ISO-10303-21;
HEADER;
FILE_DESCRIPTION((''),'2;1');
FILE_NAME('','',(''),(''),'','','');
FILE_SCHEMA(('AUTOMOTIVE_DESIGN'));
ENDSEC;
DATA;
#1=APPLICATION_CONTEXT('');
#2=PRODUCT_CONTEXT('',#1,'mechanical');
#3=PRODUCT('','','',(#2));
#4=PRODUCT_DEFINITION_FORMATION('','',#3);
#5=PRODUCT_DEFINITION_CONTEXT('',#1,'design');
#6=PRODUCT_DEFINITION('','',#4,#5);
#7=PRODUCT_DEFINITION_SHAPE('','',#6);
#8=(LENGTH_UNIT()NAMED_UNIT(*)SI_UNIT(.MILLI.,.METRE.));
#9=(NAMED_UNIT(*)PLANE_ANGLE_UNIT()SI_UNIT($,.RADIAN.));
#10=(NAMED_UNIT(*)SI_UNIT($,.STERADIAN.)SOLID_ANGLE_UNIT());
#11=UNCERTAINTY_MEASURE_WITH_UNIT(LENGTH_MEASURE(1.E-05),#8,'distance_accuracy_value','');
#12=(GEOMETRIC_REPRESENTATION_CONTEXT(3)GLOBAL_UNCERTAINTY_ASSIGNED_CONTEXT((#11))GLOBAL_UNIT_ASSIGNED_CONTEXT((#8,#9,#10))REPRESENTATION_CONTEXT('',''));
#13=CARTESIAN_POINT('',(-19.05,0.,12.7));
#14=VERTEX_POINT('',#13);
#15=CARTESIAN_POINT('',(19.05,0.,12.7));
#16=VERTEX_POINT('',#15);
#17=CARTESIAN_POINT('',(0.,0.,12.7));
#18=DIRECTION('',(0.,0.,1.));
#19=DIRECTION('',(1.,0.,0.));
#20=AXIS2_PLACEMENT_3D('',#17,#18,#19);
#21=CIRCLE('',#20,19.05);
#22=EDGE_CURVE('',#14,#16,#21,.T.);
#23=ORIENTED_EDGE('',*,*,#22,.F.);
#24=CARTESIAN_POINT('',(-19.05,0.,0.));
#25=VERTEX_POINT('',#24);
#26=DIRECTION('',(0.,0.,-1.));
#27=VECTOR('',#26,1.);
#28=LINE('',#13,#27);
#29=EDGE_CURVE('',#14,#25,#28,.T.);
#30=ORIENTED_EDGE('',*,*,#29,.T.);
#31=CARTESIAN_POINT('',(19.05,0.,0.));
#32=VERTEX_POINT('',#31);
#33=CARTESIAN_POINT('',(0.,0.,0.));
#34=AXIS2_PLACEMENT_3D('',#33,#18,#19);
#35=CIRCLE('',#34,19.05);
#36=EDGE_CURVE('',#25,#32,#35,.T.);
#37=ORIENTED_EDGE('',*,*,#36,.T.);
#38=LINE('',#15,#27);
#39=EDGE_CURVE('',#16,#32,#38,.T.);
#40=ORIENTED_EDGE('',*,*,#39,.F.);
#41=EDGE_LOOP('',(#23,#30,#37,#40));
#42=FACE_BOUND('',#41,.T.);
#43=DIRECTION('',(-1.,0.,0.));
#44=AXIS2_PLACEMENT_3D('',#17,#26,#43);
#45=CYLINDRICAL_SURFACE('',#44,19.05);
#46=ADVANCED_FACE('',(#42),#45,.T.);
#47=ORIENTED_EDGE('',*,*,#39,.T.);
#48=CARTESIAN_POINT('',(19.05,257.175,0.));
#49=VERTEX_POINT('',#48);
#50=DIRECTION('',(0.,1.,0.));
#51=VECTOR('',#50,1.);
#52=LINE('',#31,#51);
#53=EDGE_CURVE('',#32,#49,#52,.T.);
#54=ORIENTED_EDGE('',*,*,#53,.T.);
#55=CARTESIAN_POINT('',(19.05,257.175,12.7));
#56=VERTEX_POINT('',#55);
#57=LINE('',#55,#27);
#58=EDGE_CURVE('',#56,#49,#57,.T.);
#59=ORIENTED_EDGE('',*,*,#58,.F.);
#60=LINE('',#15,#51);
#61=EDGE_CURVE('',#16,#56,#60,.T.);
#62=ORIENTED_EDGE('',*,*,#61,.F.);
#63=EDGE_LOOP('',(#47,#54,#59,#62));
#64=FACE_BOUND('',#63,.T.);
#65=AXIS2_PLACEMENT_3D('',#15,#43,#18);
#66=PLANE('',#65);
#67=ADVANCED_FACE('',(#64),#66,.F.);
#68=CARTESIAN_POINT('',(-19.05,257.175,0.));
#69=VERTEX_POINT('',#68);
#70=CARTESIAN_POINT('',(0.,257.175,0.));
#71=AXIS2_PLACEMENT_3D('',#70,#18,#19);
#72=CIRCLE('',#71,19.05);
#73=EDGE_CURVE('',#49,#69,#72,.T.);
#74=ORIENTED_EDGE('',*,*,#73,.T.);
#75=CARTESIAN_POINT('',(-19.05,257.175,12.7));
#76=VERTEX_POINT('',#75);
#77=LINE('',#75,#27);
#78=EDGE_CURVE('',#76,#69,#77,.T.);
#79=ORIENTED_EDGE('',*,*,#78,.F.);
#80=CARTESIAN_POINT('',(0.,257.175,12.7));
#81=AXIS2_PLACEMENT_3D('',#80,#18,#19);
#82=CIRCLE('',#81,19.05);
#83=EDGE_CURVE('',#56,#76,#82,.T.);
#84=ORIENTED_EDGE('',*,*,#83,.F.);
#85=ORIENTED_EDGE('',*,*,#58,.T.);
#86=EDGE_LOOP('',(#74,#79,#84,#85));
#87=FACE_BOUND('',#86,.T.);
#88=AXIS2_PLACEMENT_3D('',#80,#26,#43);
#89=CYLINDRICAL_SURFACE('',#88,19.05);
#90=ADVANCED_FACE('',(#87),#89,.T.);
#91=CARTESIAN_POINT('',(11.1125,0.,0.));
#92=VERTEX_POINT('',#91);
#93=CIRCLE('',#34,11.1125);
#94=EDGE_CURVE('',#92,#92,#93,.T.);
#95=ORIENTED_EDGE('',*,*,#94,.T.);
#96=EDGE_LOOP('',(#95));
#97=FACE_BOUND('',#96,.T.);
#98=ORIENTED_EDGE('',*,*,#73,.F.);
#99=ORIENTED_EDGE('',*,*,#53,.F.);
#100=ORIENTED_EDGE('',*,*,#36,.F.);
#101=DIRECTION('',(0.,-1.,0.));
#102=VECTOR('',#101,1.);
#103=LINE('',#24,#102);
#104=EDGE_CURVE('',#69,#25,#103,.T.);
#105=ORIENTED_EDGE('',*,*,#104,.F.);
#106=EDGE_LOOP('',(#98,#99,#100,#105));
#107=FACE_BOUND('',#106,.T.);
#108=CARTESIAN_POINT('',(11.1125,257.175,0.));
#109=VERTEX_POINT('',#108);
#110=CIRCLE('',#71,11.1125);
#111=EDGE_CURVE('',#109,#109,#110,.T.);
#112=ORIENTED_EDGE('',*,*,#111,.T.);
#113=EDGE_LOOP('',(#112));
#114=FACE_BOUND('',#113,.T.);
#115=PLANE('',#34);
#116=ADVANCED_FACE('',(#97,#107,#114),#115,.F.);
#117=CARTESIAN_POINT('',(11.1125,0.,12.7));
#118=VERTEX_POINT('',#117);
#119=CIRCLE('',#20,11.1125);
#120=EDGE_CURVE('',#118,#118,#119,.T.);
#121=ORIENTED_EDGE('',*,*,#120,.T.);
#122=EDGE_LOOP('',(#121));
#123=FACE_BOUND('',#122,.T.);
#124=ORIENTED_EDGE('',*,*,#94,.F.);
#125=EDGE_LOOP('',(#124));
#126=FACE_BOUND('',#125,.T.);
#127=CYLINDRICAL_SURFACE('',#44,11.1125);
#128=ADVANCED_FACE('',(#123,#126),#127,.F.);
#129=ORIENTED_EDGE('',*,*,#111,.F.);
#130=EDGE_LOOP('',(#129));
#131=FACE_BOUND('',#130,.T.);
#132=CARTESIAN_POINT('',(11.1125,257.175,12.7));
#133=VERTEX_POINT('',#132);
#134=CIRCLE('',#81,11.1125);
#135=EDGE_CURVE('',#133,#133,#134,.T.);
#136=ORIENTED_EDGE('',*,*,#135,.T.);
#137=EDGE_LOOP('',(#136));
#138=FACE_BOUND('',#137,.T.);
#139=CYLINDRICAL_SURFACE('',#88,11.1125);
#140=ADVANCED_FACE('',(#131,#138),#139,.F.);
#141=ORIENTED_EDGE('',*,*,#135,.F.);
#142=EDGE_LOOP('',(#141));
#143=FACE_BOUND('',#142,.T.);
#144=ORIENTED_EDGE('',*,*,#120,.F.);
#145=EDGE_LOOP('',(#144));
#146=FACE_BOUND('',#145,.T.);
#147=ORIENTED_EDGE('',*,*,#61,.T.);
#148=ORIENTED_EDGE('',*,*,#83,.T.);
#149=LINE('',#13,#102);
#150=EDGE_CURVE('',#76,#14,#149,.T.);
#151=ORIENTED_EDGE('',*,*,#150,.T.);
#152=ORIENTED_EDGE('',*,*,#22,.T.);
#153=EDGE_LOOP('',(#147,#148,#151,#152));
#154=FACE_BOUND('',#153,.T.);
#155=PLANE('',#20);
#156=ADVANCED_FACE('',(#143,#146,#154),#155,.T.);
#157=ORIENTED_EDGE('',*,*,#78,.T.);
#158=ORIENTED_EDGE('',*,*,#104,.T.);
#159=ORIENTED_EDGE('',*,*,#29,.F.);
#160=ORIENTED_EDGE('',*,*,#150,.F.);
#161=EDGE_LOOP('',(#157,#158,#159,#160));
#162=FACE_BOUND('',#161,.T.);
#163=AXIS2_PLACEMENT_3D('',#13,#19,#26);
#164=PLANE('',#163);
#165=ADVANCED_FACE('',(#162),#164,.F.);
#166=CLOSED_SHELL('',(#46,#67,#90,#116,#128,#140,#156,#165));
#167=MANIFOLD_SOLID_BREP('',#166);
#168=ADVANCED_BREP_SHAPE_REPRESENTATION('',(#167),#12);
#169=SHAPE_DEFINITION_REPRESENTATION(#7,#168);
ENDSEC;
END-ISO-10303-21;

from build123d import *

# Parameters (mm, degrees)
SKETCH1_R           = 11.1125
BOSS_EXTRUDE1_DEPTH = 12.7


with BuildPart() as part:
    # Sketch1 → Boss-Extrude1 (new body)
    with BuildSketch(Plane.XY):
        with BuildLine():
            Line((-19.05, 0), (-19.05, 257.175))
            ThreePointArc((-19.05, 257.175), (0, 276.225), (19.05, 257.175))
            Line((19.05, 257.175), (19.05, 0))
            ThreePointArc((19.05, 0), (0, -19.05), (-19.05, 0))
        make_face()
        with Locations((0, 257.175)):
            Circle(SKETCH1_R, mode=Mode.SUBTRACT)
        Circle(SKETCH1_R, mode=Mode.SUBTRACT)
    extrude(amount=BOSS_EXTRUDE1_DEPTH)


solid = part.part
